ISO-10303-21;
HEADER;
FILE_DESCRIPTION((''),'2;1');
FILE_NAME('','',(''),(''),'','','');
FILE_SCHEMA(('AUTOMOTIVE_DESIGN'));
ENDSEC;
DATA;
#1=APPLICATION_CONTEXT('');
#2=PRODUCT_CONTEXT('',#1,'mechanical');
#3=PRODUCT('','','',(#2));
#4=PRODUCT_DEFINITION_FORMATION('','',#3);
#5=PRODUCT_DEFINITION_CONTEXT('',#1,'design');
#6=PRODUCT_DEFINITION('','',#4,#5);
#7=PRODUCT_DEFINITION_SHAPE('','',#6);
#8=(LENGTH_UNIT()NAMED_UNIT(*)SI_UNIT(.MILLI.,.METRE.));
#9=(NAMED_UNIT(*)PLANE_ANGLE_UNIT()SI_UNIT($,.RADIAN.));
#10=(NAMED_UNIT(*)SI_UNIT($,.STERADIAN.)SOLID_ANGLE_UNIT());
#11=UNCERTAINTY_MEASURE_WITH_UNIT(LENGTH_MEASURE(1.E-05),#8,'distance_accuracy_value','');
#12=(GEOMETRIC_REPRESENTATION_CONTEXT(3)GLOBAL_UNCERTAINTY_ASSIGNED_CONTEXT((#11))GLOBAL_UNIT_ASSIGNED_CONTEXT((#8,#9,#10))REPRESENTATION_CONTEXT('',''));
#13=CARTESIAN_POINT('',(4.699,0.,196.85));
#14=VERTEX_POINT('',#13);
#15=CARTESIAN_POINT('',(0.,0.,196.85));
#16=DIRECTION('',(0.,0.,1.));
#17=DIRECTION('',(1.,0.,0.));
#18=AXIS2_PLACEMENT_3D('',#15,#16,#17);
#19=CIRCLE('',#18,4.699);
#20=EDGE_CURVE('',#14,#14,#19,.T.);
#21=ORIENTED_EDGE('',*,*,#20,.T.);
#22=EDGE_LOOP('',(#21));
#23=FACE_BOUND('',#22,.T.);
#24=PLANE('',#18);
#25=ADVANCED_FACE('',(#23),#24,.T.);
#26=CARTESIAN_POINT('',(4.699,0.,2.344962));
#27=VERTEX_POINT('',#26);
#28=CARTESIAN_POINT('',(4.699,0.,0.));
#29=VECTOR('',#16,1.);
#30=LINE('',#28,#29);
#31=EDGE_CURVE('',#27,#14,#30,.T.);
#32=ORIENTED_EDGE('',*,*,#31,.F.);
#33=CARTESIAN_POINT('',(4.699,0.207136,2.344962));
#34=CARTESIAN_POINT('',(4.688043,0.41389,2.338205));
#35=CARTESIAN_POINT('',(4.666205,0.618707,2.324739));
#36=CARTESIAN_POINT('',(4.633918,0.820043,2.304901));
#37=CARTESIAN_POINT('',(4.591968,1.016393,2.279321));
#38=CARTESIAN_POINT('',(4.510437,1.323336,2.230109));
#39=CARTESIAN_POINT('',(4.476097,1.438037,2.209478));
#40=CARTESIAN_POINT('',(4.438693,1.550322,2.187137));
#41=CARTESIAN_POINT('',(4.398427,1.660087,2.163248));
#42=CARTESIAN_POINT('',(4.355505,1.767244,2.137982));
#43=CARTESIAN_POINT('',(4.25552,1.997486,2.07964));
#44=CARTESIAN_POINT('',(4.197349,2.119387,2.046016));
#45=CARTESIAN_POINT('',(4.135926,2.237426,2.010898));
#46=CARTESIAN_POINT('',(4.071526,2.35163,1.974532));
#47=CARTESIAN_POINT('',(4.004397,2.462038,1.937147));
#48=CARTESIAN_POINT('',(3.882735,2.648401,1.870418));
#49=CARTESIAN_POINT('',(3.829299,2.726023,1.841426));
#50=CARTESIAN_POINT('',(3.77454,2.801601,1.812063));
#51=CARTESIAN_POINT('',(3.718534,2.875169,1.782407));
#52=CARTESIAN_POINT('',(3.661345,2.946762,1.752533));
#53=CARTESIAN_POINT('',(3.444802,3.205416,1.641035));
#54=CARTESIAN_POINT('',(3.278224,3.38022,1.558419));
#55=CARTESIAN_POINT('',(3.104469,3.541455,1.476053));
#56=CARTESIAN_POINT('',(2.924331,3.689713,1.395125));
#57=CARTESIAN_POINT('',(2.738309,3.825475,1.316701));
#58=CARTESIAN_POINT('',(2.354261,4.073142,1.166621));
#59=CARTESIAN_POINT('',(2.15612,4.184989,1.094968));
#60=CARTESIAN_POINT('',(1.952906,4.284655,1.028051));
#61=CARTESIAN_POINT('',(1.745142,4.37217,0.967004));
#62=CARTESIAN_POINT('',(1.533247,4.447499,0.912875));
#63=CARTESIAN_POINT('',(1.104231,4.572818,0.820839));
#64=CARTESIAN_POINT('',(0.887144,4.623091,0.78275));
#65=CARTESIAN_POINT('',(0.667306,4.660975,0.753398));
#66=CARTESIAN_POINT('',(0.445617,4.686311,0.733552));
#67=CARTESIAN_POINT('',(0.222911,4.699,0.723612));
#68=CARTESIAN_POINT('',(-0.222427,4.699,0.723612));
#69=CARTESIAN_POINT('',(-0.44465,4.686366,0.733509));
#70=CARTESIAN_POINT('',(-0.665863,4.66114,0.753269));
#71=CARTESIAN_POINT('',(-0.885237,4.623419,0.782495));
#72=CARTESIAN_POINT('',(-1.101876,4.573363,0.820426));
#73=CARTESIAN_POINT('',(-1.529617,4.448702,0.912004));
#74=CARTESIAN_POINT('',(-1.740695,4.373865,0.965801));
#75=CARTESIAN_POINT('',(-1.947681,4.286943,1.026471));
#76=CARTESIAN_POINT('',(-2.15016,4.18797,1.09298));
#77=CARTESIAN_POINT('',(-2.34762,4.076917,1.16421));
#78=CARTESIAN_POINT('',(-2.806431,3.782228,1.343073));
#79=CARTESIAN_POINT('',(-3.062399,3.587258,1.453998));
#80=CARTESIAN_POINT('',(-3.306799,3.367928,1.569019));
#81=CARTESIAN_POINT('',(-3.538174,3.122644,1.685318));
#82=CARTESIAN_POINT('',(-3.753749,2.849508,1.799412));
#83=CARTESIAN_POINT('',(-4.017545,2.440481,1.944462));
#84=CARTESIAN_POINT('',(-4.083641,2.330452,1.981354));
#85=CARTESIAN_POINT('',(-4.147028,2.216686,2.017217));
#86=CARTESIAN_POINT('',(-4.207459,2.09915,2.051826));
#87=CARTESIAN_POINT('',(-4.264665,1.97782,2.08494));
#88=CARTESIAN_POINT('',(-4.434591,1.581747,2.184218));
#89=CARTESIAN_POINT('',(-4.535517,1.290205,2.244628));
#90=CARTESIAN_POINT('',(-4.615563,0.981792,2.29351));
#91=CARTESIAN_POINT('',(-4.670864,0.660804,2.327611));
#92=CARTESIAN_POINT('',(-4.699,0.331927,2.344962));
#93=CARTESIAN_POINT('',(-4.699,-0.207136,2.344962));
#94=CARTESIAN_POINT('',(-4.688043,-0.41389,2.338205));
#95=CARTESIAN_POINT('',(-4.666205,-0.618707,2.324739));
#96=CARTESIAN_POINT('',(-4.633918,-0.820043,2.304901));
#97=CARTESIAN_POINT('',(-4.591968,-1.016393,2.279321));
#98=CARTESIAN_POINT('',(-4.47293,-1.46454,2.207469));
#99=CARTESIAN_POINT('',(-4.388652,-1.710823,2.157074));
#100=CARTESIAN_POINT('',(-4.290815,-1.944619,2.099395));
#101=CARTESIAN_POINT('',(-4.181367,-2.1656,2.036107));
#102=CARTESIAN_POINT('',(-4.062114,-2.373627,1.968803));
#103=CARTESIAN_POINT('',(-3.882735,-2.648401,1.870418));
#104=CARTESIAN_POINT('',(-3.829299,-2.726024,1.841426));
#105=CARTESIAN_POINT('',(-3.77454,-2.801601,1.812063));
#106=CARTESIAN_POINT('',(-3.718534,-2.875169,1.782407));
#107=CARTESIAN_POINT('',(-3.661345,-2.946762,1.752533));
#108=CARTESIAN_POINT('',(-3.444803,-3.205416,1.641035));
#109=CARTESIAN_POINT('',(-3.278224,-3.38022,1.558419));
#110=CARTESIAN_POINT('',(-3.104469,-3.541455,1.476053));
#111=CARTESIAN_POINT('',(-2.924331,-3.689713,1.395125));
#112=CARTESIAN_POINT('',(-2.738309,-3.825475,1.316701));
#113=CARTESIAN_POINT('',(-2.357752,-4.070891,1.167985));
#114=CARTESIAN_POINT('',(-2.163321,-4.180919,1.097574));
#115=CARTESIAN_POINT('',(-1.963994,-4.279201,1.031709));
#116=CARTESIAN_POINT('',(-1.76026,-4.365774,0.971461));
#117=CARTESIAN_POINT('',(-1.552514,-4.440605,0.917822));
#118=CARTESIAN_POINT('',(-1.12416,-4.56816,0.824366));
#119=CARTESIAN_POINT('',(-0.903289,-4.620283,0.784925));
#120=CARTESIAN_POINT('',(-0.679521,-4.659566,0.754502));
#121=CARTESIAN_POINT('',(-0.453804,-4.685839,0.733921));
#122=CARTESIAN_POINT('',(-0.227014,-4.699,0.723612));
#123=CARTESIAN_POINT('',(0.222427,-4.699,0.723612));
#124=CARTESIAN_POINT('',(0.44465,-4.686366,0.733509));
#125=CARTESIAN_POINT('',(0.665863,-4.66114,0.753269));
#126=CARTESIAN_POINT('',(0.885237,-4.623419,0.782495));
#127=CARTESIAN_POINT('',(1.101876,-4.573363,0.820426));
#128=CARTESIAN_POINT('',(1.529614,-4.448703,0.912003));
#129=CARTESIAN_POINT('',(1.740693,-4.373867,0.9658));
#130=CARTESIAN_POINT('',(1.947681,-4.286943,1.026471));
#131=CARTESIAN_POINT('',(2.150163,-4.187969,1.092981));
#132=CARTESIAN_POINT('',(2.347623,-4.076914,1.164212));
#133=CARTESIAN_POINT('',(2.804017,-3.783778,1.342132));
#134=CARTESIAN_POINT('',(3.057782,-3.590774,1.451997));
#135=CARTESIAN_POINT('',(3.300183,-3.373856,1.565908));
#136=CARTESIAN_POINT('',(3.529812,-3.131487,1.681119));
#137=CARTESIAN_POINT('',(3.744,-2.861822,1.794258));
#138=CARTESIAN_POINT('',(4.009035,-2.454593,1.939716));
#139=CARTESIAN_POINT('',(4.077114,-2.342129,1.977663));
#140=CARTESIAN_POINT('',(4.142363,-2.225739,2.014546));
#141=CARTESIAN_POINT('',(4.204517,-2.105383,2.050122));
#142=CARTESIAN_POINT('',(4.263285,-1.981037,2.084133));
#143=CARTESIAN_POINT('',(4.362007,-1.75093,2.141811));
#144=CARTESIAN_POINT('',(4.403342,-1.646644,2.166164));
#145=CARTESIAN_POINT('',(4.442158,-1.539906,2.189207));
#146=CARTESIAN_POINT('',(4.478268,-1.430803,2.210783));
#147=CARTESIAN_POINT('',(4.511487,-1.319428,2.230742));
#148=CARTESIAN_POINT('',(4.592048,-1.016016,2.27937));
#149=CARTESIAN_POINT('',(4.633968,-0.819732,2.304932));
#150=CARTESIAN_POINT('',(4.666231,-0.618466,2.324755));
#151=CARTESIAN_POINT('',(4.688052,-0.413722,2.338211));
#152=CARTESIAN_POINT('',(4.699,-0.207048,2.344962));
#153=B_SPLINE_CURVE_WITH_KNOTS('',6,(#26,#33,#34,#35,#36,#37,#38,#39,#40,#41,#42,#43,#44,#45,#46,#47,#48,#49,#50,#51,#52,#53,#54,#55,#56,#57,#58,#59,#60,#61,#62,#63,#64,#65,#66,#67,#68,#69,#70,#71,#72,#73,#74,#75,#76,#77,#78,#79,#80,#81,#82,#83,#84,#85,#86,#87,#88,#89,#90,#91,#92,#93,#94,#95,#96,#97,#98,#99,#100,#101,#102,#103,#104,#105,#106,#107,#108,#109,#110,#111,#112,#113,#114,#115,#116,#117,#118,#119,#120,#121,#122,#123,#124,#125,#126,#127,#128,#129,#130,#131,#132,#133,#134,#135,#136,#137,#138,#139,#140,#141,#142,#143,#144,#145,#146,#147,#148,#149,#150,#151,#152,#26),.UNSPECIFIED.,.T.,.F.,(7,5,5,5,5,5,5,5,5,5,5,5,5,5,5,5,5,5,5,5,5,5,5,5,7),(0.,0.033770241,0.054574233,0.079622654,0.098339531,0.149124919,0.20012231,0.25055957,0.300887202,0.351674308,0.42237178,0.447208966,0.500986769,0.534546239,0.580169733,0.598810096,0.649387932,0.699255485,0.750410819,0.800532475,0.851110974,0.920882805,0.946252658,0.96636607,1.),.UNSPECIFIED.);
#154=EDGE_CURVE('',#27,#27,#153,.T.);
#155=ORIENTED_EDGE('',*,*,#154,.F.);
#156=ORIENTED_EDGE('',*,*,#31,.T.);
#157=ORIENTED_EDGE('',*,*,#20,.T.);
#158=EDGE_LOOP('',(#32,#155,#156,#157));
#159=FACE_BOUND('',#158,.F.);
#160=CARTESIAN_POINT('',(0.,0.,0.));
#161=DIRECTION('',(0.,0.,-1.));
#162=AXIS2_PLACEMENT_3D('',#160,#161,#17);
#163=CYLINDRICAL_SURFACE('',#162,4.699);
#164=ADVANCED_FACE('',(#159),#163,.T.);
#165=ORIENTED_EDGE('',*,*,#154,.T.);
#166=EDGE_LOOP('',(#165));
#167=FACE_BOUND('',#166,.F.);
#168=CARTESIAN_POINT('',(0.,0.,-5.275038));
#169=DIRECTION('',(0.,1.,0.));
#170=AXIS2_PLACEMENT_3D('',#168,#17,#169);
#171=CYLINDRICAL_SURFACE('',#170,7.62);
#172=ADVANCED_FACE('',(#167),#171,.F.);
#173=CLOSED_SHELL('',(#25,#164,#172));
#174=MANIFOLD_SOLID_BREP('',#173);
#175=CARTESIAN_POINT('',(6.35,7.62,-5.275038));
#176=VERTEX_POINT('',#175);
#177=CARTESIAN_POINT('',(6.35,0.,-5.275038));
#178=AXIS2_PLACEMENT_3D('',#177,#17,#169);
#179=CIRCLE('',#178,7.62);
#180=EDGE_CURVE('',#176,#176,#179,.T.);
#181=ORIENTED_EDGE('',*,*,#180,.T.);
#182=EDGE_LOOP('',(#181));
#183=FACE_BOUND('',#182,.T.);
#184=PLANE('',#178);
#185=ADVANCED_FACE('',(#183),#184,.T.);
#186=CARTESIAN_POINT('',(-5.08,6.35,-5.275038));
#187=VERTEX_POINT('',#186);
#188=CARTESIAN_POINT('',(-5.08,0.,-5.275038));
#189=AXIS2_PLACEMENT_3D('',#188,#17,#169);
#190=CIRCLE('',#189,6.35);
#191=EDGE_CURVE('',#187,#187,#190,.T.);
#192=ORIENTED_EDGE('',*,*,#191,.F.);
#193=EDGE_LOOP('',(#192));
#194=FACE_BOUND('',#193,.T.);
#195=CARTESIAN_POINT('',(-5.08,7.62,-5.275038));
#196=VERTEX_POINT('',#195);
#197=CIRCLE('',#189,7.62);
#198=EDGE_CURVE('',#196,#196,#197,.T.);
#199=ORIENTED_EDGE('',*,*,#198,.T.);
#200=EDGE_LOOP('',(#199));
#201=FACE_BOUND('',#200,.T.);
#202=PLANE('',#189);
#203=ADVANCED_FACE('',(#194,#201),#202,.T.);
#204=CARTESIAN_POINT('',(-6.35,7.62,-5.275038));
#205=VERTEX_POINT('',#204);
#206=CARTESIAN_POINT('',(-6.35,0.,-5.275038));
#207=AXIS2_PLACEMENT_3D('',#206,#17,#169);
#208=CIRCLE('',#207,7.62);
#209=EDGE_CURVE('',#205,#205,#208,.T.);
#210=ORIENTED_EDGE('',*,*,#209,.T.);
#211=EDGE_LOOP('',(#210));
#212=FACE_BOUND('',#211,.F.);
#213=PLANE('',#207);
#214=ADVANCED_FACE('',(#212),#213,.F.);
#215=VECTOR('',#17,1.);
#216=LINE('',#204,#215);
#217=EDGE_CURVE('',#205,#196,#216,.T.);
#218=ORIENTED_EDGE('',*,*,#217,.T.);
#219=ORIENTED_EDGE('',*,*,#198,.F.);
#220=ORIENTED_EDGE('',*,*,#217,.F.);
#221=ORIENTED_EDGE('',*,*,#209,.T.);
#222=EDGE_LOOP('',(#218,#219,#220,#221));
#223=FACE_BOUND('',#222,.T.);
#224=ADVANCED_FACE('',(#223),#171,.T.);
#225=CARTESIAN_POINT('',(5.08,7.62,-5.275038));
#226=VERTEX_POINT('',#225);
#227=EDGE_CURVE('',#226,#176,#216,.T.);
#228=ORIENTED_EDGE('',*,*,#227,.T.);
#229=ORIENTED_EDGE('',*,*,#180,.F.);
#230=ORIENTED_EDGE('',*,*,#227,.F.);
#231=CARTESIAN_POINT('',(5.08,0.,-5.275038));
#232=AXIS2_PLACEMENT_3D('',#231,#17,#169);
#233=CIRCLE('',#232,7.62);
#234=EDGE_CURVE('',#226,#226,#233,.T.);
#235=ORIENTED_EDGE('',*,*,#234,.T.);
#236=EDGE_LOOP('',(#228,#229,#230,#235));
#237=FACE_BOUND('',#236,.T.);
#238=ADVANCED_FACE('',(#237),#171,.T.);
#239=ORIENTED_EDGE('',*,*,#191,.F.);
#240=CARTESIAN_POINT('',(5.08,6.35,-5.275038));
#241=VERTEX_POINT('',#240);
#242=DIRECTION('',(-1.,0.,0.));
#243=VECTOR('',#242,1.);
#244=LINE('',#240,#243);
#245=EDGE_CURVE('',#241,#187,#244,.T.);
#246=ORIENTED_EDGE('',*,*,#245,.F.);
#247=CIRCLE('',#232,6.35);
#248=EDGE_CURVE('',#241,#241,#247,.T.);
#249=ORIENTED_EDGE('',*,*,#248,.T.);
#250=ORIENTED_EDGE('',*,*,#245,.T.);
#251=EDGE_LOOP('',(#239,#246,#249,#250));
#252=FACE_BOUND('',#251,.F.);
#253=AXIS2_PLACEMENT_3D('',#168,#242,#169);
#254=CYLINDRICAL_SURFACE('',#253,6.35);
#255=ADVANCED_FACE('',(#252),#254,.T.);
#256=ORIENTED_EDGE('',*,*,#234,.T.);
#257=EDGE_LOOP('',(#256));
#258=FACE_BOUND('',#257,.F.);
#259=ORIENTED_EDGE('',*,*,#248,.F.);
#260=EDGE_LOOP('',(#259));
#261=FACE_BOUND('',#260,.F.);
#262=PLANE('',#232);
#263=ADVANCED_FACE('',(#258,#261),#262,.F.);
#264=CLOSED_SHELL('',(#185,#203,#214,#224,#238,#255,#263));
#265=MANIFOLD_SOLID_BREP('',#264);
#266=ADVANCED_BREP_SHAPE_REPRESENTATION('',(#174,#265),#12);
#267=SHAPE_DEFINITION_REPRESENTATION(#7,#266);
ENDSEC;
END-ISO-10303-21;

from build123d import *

# Parameters (mm, degrees)
F0_R     = 4.699
F1_DEPTH = 196.85
F2_R     = 7.62
F3_DEPTH = 6.35
F4_R     = 7.62
F4_R_2   = 6.35
F5_DEPTH = 5.08


with BuildPart() as f1:
    # F0 (on Top) → F1 (new body)
    with BuildSketch(Plane.XY):
        Circle(F0_R)
    extrude(amount=F1_DEPTH)

    # F2 (on Right) → F3 (join, symmetric)
    with BuildSketch(Plane.YZ):
        with Locations((0, -5.275038)):
            Circle(F2_R)
    extrude(amount=F3_DEPTH, both=True)

    # F4 (on Right) → F5 (cut, symmetric)
    with BuildSketch(Plane.YZ):
        with Locations((0, -5.275038)):
            Circle(F4_R)
        with Locations((0, -5.275038)):
            Circle(F4_R_2, mode=Mode.SUBTRACT)
    extrude(amount=F5_DEPTH, both=True, mode=Mode.SUBTRACT)


solid = f1.part
